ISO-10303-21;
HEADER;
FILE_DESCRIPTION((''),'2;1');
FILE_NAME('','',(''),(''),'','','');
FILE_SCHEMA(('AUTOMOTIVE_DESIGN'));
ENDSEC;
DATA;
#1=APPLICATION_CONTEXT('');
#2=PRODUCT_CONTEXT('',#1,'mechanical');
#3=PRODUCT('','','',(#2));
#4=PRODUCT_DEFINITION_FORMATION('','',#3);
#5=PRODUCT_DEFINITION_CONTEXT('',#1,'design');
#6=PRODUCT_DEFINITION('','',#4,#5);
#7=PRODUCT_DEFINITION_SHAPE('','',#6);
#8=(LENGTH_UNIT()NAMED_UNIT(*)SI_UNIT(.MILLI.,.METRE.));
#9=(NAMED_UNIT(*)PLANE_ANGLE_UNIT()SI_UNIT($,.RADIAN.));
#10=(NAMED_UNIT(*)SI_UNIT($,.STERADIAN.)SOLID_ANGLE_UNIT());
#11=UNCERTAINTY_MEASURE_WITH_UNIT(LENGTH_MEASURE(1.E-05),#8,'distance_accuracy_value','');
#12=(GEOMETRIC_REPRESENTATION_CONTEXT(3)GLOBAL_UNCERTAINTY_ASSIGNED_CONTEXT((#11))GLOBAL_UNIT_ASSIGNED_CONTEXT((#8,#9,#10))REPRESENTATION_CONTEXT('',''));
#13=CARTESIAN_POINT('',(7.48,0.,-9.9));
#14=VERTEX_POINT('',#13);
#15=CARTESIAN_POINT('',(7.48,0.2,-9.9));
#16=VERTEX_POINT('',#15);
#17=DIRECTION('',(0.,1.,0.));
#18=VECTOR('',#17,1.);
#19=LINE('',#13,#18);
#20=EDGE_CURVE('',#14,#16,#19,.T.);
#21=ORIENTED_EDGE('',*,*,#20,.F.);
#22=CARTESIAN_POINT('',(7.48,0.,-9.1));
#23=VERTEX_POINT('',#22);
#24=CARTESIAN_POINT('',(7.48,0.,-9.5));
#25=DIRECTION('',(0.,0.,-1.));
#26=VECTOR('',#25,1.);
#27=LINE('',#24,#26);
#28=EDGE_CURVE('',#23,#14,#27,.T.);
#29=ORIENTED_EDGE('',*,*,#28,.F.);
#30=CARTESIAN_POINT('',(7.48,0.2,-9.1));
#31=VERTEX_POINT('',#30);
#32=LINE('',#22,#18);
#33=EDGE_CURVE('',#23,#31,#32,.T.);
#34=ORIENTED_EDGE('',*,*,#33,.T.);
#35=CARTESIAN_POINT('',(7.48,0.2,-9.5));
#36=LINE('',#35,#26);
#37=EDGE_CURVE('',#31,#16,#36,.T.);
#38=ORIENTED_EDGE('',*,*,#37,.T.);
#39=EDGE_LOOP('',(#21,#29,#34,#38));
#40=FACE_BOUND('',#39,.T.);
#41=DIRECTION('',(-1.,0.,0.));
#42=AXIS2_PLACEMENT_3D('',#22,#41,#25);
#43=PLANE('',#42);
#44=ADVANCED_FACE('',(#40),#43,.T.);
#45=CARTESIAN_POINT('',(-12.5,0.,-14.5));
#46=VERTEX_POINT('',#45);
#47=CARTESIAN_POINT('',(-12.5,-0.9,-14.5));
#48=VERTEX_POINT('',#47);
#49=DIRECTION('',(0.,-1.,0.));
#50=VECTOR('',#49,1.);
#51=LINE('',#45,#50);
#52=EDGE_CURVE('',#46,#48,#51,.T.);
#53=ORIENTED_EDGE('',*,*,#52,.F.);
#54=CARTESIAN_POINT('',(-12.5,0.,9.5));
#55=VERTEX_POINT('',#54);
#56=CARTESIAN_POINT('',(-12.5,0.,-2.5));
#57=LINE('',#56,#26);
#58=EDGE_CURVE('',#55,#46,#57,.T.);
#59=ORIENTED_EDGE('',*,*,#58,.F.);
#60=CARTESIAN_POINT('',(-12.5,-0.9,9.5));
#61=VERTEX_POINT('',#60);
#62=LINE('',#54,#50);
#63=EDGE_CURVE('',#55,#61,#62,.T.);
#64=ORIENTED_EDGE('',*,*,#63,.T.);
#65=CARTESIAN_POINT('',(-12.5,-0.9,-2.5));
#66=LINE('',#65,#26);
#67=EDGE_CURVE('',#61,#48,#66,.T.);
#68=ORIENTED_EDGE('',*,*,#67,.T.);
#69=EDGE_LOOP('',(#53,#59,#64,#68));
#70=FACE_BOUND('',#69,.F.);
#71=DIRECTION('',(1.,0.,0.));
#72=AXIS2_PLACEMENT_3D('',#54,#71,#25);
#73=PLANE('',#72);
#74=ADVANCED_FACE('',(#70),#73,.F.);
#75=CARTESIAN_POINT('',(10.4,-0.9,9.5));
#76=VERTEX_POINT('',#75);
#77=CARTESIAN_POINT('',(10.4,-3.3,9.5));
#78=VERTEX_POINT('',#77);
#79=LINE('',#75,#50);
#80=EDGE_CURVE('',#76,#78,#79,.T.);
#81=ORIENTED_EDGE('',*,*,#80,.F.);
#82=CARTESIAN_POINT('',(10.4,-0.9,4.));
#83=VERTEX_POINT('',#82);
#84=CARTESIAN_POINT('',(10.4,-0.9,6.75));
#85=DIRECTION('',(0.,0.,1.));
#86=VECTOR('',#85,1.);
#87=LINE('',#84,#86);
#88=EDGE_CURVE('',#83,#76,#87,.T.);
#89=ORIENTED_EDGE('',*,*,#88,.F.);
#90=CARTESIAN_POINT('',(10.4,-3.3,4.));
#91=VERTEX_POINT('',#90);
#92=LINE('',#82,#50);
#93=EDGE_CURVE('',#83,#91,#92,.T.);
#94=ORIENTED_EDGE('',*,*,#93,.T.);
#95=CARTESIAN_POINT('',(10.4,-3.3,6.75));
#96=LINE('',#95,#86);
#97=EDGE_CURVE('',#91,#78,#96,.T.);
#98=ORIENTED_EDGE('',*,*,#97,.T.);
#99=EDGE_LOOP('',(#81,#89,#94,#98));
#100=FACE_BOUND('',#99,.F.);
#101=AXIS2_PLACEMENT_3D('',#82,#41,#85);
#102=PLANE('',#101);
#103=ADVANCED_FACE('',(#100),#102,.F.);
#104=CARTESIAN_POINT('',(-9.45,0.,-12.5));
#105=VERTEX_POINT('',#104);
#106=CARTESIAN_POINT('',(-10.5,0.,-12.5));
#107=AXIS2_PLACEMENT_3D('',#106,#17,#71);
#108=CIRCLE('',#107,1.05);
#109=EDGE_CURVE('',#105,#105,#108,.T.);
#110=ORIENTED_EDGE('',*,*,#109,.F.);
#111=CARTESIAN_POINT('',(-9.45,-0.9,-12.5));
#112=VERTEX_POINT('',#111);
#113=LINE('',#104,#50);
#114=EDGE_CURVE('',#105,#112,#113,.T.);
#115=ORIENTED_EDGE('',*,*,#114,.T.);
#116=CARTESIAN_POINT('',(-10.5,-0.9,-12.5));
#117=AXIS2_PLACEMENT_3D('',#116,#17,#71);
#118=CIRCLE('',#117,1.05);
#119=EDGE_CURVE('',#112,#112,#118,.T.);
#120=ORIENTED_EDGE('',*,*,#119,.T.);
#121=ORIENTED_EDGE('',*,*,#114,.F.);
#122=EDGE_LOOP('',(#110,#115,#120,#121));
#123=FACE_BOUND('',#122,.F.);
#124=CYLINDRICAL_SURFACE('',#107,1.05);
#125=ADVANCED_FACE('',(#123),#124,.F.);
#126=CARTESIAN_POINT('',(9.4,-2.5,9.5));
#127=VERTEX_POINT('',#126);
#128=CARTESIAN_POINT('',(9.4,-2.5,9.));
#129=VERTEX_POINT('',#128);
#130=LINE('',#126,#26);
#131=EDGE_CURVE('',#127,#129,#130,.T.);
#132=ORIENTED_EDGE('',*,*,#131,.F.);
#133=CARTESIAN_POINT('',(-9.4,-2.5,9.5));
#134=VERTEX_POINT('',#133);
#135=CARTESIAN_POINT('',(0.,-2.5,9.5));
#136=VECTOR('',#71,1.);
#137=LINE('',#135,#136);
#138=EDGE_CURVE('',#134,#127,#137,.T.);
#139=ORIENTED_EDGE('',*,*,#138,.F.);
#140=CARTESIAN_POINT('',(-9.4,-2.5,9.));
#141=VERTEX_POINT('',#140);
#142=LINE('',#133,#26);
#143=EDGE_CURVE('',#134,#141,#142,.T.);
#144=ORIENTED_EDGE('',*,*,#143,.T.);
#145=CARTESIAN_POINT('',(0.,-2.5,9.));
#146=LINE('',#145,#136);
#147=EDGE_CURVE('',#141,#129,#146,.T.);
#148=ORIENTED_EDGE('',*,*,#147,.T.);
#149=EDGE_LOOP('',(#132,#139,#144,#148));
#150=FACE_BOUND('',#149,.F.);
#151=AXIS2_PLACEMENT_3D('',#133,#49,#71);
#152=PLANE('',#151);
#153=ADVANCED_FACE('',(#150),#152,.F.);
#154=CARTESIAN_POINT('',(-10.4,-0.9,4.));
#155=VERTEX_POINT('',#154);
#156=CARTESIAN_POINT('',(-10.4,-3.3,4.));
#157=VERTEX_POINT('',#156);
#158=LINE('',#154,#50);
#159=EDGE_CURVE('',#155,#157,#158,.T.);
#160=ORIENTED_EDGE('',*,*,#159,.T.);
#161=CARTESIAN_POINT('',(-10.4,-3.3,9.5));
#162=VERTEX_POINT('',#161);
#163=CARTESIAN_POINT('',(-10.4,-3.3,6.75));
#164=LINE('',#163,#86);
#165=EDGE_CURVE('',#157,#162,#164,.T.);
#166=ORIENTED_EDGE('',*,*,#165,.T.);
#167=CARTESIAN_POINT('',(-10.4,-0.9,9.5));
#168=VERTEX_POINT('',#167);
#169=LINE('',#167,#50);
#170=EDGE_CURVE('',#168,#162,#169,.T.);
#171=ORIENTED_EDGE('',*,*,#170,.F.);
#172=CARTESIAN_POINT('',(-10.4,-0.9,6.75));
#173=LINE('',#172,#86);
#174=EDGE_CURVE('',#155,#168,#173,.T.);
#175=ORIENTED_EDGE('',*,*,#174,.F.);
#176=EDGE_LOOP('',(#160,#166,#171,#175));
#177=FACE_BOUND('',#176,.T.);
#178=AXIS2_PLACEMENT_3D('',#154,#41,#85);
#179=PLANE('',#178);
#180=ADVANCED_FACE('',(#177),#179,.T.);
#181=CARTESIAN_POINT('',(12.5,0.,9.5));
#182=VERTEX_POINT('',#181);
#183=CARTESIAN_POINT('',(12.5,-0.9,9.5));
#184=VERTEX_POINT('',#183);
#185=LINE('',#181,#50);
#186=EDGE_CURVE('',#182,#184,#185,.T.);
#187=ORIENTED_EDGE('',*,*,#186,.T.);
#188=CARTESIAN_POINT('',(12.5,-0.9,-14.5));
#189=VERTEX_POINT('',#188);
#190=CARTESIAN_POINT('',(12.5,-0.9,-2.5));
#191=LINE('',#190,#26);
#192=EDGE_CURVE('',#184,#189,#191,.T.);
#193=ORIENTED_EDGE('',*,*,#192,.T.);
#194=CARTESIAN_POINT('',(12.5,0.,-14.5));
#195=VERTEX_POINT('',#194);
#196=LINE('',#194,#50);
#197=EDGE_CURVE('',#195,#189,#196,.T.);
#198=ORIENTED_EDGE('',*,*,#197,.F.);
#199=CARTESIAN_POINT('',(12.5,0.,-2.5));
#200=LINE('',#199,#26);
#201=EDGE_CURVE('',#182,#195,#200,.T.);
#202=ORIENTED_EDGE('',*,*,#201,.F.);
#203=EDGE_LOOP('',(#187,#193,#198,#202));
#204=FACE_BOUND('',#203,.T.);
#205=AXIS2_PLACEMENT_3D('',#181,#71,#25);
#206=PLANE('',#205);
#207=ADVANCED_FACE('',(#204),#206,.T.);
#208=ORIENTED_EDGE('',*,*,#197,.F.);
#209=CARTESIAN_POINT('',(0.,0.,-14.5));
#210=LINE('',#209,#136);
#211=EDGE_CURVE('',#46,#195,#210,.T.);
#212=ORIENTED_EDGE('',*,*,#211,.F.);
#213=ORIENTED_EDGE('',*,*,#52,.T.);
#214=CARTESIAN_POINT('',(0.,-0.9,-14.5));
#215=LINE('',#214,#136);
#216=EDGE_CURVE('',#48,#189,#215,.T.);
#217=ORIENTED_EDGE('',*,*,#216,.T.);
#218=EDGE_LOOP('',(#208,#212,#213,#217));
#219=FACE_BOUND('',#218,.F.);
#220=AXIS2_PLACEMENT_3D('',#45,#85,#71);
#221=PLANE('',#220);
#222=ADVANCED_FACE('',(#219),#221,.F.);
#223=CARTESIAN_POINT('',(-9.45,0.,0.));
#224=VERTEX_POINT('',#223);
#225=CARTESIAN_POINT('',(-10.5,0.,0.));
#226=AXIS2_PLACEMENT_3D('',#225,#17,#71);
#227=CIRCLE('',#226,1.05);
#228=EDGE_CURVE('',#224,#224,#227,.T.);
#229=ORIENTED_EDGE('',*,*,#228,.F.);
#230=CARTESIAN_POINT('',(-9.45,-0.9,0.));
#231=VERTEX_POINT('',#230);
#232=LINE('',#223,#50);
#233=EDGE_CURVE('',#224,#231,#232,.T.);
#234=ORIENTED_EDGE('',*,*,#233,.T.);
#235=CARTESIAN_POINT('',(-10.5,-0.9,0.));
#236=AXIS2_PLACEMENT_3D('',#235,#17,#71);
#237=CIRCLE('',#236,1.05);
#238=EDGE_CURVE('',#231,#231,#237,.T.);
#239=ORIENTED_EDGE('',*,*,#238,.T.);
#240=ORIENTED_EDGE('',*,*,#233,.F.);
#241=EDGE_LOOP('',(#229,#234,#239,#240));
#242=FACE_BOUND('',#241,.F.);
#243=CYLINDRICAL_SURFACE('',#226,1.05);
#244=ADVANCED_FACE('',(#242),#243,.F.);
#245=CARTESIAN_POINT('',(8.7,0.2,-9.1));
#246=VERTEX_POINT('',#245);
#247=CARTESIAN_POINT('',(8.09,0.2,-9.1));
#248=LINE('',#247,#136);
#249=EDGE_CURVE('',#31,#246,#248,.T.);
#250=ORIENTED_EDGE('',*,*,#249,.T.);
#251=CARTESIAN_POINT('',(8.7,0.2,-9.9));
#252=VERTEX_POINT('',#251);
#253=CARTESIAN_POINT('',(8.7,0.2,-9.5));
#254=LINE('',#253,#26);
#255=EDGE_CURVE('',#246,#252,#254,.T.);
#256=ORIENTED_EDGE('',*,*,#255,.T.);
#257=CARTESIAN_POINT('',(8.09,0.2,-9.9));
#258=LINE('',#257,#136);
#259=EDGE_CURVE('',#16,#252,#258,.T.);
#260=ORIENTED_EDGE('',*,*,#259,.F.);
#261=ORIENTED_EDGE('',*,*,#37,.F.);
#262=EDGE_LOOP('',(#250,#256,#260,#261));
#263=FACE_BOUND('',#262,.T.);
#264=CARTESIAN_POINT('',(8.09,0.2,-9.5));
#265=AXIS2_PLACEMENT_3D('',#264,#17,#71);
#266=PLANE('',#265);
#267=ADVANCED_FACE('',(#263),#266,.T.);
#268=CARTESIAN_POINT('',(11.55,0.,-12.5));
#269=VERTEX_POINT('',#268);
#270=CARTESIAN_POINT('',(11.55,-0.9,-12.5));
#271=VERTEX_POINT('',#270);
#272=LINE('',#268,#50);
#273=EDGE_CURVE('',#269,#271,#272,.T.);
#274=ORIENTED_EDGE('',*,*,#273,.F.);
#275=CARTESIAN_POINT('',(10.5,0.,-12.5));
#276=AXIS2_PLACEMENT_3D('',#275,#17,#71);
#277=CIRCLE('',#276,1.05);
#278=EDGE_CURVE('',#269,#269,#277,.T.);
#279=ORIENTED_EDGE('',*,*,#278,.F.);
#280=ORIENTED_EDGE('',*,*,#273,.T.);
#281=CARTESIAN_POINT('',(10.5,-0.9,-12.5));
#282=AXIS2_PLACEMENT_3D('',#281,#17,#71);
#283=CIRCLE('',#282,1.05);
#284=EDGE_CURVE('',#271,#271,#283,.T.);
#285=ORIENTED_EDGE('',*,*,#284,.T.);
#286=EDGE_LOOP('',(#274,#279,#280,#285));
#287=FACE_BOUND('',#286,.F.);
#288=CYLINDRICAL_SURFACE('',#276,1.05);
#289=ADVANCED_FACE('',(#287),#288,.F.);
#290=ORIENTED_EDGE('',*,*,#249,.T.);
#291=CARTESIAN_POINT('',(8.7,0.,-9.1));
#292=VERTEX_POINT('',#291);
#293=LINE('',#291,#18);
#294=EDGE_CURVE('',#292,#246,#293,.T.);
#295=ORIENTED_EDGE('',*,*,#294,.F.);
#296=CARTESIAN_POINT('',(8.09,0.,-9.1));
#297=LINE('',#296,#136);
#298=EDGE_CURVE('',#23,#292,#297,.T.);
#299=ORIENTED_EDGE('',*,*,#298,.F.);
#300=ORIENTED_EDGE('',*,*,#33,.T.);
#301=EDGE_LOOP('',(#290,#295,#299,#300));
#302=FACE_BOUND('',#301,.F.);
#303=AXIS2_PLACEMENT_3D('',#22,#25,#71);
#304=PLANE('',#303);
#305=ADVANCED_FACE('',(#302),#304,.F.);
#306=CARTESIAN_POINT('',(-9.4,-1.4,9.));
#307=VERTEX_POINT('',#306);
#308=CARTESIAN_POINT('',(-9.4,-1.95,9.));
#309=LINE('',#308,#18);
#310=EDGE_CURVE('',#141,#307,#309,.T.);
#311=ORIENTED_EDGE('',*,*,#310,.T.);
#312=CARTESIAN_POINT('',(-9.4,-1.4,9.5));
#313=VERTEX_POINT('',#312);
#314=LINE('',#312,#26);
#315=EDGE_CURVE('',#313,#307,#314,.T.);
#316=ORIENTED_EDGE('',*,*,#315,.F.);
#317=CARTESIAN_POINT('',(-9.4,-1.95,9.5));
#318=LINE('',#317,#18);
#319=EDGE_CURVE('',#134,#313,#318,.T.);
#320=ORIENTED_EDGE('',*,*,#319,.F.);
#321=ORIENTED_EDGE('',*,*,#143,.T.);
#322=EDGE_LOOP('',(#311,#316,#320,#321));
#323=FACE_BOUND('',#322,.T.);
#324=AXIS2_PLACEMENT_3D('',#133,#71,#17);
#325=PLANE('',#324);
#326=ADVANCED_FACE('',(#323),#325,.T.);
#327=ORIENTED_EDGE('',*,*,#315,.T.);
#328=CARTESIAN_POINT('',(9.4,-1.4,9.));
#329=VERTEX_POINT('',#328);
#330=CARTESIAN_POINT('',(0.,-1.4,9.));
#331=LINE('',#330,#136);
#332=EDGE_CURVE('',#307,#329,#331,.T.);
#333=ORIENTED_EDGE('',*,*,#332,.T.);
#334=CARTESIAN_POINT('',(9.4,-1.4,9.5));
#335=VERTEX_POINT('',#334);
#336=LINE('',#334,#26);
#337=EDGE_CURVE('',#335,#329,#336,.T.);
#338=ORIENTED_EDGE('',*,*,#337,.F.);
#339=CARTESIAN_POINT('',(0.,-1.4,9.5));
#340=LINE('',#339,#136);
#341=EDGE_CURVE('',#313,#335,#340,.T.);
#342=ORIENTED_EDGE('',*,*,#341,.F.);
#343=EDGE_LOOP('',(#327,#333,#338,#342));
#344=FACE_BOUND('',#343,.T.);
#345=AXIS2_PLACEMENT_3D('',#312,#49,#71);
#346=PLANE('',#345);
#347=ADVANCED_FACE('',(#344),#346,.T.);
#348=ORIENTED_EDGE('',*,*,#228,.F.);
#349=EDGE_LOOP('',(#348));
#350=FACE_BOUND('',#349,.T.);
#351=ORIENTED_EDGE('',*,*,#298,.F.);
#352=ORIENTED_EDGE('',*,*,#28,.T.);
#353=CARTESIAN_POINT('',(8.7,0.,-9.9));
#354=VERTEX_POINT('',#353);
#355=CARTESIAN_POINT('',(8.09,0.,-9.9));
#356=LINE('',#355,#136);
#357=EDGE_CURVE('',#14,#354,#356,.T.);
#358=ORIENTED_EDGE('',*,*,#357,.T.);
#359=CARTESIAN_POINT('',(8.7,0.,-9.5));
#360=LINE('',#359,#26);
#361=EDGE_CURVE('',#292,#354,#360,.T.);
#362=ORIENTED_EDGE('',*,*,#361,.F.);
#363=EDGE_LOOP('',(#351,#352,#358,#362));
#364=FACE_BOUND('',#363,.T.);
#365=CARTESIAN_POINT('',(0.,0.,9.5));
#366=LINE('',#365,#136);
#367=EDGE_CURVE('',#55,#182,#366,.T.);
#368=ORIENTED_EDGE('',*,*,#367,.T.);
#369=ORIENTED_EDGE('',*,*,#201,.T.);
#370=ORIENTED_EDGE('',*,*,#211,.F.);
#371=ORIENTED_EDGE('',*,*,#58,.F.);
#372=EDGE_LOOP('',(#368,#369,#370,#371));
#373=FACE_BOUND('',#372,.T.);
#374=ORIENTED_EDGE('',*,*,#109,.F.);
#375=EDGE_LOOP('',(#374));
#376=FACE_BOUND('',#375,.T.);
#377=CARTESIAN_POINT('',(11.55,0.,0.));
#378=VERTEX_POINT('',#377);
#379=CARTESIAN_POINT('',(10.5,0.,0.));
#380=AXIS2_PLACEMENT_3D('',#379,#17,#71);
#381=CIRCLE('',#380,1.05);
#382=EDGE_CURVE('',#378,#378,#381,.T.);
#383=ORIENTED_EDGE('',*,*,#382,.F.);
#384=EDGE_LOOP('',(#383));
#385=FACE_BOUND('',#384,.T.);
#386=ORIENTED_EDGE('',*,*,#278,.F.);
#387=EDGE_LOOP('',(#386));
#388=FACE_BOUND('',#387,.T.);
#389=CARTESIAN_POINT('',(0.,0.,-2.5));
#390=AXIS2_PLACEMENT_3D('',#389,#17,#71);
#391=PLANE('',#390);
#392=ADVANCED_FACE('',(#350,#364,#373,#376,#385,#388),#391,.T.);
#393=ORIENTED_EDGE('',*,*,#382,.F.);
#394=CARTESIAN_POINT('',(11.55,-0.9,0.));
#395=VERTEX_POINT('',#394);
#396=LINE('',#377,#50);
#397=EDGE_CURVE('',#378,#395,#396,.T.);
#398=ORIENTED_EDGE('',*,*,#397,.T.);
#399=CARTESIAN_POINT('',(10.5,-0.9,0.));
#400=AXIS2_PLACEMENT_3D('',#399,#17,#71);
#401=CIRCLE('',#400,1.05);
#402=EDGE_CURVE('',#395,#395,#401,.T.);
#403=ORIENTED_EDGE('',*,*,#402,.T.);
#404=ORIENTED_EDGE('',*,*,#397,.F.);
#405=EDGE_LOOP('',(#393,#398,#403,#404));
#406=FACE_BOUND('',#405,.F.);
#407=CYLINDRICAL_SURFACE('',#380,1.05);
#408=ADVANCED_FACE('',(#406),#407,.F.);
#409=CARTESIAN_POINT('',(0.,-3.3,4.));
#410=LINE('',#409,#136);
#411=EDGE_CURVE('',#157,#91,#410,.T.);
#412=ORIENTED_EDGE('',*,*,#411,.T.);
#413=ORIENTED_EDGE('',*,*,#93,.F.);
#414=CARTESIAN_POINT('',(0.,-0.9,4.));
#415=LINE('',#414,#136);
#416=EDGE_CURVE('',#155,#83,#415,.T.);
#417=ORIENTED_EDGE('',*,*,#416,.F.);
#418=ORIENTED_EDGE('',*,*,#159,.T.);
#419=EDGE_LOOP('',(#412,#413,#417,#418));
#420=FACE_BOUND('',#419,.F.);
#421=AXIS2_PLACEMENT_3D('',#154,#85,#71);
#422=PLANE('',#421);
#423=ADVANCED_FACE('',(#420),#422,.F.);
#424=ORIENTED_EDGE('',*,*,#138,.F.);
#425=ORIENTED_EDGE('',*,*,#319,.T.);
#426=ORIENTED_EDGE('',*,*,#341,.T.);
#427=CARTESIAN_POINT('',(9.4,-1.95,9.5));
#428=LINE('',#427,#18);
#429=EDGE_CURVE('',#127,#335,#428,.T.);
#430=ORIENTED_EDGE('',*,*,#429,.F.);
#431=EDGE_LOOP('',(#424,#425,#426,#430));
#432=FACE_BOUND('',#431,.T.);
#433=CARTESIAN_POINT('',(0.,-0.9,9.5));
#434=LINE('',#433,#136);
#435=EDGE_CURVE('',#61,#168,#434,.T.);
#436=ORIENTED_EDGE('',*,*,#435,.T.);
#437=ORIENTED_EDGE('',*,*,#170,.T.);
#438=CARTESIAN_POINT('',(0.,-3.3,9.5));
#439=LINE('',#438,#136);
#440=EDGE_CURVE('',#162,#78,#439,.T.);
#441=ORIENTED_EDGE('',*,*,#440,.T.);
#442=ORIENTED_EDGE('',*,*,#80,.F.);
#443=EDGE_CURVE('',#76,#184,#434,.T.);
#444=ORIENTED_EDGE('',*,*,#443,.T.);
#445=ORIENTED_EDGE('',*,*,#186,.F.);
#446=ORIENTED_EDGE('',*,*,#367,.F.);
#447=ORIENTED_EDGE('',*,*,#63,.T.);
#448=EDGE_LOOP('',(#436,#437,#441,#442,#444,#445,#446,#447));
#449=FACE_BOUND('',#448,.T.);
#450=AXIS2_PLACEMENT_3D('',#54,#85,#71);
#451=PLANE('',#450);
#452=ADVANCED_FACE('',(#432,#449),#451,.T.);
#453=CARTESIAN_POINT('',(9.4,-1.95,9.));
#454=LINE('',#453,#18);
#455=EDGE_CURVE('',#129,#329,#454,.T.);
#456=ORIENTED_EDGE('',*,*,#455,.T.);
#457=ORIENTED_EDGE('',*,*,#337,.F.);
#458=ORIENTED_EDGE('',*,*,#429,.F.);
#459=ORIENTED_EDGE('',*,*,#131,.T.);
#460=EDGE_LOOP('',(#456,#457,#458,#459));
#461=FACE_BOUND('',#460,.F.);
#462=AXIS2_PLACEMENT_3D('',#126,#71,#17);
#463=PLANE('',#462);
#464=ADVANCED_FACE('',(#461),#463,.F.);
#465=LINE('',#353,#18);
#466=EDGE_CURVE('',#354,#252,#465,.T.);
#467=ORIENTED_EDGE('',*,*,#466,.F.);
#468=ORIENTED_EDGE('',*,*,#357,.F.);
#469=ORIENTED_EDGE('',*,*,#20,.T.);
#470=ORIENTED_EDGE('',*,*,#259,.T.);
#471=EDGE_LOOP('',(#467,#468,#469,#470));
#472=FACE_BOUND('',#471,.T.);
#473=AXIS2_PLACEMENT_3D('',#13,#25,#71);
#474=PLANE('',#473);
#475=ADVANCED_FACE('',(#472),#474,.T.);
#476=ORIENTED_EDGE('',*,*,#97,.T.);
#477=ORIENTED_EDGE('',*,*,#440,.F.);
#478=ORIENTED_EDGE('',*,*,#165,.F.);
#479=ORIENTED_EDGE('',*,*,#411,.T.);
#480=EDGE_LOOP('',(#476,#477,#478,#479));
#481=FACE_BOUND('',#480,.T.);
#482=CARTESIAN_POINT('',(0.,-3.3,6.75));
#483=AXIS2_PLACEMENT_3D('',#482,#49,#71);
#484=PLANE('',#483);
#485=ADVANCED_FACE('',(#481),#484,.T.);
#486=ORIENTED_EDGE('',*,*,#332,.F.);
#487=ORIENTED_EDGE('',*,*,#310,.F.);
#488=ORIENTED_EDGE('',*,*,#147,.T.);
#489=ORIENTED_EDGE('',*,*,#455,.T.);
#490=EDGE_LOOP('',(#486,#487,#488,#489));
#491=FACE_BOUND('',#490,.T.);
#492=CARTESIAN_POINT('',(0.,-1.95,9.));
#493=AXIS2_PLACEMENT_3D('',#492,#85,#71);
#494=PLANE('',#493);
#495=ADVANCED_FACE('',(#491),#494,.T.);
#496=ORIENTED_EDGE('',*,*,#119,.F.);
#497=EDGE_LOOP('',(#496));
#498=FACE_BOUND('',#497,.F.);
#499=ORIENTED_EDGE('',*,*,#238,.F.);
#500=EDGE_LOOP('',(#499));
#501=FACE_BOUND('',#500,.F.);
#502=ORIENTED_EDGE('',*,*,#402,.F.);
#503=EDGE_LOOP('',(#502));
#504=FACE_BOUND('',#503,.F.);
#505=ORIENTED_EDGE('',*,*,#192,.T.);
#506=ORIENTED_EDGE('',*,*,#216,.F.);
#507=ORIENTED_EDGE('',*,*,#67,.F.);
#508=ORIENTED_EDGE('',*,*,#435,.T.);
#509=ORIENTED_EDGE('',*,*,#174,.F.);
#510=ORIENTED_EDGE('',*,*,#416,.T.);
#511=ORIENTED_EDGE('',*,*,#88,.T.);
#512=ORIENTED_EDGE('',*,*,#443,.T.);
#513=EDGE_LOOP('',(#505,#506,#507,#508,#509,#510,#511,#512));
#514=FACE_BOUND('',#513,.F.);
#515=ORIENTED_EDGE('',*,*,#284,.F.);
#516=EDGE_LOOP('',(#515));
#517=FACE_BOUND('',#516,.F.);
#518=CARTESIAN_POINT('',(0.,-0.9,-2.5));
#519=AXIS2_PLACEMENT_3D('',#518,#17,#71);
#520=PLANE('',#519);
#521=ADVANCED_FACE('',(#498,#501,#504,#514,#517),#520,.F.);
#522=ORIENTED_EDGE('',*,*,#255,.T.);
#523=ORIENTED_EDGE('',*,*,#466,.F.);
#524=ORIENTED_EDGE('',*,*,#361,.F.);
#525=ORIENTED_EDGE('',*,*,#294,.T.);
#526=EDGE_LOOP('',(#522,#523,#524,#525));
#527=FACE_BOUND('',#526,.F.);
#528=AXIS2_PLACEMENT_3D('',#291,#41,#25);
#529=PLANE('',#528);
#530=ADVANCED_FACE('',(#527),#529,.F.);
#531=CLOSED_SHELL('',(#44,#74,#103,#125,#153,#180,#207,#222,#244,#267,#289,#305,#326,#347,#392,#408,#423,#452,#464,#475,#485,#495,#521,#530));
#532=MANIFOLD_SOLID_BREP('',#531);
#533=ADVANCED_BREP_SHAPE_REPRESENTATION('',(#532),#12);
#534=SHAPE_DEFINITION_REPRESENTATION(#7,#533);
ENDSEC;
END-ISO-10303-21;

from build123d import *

# Parameters (mm, degrees)
SKIZZE1_W               = 25
SKIZZE1_H               = 24
PCB_DEPTH               = 0.9
SKIZZE2_R               = 1.05
MOUNTING_HOLES_DEPTH    = 1.9
SKIZZE3_W               = 20.8
SKIZZE3_H               = 5.5
CONNECTOR_CLOSED_DEPTH  = 2.4
ESQUISSE1_W             = 1.22
ESQUISSE1_H             = 0.8
STATUS_LED_DEPTH        = 0.2
ESQUISSE3_W             = 18.8
ESQUISSE3_H             = 1.1
ENL_V_MAT_EXTRU_1_DEPTH = 0.5


with BuildPart() as part:
    # Skizze1 → PCB (new body)
    with BuildSketch(Plane(origin=(0, 0, 0), x_dir=(1, 0, 0), z_dir=(0, 1, 0))):
        with Locations((0, 2.5)):
            Rectangle(SKIZZE1_W, SKIZZE1_H)
    extrude(amount=-PCB_DEPTH)

    # Skizze2 → Mounting_Holes (cut, through all)
    with BuildSketch(Plane(origin=(0, 0, 0), x_dir=(1, 0, 0), z_dir=(0, 1, 0))):
        with Locations((10.5, 12.5)):
            Circle(SKIZZE2_R)
        with Locations((10.5, 0)):
            Circle(SKIZZE2_R)
        with Locations((-10.5, 0)):
            Circle(SKIZZE2_R)
        with Locations((-10.5, 12.5)):
            Circle(SKIZZE2_R)
    extrude(amount=-MOUNTING_HOLES_DEPTH, mode=Mode.SUBTRACT)

    # Skizze3 → Connector_closed (add)
    with BuildSketch(Plane.XZ.offset(0.9)):
        with Locations((0, 6.75)):
            Rectangle(SKIZZE3_W, SKIZZE3_H)
    extrude(amount=CONNECTOR_CLOSED_DEPTH)

    # Esquisse1 → Status LED (add)
    with BuildSketch(Plane(origin=(0, 0, 0), x_dir=(1, 0, 0), z_dir=(0, 1, 0))):
        with Locations((8.09, 9.5)):
            Rectangle(ESQUISSE1_W, ESQUISSE1_H)
    extrude(amount=STATUS_LED_DEPTH)

    # Esquisse3 → Enlèv. mat.-Extru.1 (cut)
    with BuildSketch(Plane.XY.offset(9.5)):
        with Locations((0, -1.95)):
            Rectangle(ESQUISSE3_W, ESQUISSE3_H)
    extrude(amount=-ENL_V_MAT_EXTRU_1_DEPTH, mode=Mode.SUBTRACT)


solid = part.part
